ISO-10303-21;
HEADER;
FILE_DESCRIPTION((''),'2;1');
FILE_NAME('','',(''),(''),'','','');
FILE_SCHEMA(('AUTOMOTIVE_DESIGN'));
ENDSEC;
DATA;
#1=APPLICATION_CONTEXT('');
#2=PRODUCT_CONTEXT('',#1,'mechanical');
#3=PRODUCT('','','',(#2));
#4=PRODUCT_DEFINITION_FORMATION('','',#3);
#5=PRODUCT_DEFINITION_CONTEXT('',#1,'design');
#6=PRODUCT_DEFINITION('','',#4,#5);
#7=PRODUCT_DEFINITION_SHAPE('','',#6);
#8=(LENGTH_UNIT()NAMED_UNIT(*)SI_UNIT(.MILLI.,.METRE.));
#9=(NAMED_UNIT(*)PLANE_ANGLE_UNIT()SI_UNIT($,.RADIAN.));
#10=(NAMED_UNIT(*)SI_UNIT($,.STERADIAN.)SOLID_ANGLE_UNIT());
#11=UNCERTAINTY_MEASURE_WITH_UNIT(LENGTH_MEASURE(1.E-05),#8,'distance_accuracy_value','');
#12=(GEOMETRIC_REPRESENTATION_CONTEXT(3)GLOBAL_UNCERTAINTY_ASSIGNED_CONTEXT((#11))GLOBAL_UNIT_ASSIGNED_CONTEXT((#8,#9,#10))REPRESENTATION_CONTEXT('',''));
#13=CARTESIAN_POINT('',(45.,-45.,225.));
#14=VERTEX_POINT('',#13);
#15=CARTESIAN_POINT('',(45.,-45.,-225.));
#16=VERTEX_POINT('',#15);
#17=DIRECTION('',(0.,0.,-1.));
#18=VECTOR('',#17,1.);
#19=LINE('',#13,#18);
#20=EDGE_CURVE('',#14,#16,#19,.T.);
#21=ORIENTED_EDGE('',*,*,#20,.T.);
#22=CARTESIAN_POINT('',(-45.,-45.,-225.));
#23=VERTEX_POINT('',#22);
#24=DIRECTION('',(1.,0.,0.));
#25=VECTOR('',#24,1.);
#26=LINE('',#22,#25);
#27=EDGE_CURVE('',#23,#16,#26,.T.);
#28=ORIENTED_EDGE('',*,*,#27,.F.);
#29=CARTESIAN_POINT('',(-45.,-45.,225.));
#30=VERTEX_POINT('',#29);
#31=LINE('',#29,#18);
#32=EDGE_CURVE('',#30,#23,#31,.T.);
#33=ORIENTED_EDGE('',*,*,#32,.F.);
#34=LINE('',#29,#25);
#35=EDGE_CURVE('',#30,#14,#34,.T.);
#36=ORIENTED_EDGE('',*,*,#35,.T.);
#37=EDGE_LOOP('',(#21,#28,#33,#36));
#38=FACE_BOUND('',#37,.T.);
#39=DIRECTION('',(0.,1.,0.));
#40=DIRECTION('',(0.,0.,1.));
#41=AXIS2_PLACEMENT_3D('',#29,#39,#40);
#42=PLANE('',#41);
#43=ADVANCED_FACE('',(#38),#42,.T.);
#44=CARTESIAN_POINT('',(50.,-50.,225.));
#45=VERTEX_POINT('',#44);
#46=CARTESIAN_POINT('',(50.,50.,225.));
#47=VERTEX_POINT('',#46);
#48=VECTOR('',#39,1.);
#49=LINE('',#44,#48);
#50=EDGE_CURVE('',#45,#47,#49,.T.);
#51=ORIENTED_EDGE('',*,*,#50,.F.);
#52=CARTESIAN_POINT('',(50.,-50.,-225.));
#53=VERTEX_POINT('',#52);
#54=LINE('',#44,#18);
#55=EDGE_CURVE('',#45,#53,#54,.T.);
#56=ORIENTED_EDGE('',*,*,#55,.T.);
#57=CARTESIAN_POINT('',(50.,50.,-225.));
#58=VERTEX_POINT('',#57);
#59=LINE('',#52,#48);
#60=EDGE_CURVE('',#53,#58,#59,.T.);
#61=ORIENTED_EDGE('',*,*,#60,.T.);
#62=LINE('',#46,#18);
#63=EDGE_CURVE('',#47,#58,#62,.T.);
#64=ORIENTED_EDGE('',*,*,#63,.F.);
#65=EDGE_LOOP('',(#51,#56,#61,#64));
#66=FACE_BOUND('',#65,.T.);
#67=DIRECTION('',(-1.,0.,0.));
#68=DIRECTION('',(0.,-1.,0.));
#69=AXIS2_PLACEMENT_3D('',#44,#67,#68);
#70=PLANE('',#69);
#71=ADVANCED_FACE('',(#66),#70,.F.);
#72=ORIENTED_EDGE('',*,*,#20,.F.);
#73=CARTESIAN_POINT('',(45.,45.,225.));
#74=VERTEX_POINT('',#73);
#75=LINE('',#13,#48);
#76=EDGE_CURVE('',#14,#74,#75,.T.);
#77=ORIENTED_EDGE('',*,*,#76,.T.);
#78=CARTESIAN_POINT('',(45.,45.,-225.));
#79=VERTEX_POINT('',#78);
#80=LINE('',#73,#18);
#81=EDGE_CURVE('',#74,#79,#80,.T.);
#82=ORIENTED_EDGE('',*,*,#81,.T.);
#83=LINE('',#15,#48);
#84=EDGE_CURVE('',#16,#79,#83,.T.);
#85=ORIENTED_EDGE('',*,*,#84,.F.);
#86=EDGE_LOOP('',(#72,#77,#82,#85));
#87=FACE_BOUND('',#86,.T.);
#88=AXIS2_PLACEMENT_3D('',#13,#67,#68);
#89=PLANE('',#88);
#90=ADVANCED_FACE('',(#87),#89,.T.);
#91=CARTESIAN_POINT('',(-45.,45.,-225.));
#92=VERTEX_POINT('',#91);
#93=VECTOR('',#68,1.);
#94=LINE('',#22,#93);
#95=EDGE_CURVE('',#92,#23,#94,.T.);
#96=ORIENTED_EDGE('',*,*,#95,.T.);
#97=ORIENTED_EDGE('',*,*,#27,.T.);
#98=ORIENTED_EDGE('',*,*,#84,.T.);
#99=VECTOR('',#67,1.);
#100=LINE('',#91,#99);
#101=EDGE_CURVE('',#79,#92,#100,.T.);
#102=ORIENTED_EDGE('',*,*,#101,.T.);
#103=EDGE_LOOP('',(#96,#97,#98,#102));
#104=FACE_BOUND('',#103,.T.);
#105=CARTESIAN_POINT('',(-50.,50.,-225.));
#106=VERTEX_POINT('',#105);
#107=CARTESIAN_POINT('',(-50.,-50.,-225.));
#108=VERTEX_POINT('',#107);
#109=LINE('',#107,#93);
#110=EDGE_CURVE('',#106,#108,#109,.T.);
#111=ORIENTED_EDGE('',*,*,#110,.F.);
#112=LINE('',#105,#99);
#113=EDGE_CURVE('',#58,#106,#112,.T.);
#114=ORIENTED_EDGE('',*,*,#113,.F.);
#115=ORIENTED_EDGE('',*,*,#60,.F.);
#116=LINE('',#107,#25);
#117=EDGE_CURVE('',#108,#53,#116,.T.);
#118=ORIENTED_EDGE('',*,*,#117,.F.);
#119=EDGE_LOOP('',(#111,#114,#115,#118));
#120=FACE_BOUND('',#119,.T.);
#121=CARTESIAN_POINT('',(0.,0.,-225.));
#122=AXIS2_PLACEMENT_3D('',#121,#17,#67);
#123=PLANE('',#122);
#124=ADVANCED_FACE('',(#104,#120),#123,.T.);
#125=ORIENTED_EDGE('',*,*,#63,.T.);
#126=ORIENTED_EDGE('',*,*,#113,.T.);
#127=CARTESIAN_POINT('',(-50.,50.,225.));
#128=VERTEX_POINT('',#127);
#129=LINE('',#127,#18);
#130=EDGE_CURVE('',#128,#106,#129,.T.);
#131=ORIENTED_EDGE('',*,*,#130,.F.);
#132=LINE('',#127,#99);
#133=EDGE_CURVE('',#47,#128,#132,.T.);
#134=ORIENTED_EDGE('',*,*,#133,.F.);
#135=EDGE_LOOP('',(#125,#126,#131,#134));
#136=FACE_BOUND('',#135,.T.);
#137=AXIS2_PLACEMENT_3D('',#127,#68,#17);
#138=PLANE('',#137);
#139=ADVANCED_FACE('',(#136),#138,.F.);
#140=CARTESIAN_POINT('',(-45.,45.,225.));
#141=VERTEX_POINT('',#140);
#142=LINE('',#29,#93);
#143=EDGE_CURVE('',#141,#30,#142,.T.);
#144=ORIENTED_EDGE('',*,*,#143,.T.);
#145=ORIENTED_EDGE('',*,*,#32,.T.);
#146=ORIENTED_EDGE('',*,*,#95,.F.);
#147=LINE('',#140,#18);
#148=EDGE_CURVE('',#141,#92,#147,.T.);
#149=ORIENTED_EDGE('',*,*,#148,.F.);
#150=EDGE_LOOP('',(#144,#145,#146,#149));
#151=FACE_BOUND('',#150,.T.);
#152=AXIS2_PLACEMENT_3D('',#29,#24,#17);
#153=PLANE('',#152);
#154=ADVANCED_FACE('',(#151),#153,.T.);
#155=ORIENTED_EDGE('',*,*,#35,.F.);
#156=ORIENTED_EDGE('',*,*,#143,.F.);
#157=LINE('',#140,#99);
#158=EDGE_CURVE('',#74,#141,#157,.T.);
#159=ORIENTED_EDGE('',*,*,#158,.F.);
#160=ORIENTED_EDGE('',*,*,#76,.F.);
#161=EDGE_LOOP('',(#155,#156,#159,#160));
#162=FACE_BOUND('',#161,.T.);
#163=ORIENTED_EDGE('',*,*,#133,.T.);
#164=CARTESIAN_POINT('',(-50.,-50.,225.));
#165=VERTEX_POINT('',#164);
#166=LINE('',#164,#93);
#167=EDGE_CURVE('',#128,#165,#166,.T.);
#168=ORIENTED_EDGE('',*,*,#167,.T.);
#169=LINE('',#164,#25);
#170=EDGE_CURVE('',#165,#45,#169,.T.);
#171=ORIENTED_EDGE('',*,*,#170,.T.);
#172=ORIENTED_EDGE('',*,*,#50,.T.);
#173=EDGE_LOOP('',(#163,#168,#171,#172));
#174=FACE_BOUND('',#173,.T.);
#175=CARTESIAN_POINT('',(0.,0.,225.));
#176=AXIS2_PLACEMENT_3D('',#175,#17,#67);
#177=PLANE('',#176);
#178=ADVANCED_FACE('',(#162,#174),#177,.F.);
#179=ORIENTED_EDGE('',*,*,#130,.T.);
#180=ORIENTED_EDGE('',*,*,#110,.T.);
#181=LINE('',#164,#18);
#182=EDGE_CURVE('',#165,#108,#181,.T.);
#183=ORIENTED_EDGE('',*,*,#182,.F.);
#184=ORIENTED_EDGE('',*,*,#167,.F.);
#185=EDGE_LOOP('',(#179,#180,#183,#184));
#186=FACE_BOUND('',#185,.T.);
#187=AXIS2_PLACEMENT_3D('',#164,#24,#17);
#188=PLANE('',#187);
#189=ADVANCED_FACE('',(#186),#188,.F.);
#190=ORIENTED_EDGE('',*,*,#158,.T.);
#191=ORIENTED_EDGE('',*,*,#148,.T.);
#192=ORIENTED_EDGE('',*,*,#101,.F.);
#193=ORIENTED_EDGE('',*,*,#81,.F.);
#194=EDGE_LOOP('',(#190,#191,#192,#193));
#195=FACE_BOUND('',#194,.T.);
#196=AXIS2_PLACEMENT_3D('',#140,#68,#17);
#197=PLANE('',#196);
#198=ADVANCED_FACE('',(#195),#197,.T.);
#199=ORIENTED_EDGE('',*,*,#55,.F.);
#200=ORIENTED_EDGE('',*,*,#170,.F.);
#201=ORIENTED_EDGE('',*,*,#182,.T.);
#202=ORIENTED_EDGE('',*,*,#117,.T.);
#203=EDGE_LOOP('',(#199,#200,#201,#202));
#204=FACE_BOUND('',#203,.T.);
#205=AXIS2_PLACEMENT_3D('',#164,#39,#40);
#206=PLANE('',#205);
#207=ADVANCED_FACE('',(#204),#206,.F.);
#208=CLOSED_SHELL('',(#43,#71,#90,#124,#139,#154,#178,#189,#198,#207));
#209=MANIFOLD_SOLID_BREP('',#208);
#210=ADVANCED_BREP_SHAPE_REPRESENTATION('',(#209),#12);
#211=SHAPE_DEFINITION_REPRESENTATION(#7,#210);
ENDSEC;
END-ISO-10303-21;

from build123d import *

# Parameters (mm, degrees)
SKETCH1_W           = 100
SKETCH1_H           = 100
SKETCH1_W_2         = 90
SKETCH1_H_2         = 90
BOSS_EXTRUDE1_DEPTH = 225


with BuildPart() as part:
    # Sketch1 → Boss-Extrude1 (new body, symmetric)
    with BuildSketch(Plane.XY):
        Rectangle(SKETCH1_W, SKETCH1_H)
        Rectangle(SKETCH1_W_2, SKETCH1_H_2, mode=Mode.SUBTRACT)
    extrude(amount=BOSS_EXTRUDE1_DEPTH, both=True)


solid = part.part
